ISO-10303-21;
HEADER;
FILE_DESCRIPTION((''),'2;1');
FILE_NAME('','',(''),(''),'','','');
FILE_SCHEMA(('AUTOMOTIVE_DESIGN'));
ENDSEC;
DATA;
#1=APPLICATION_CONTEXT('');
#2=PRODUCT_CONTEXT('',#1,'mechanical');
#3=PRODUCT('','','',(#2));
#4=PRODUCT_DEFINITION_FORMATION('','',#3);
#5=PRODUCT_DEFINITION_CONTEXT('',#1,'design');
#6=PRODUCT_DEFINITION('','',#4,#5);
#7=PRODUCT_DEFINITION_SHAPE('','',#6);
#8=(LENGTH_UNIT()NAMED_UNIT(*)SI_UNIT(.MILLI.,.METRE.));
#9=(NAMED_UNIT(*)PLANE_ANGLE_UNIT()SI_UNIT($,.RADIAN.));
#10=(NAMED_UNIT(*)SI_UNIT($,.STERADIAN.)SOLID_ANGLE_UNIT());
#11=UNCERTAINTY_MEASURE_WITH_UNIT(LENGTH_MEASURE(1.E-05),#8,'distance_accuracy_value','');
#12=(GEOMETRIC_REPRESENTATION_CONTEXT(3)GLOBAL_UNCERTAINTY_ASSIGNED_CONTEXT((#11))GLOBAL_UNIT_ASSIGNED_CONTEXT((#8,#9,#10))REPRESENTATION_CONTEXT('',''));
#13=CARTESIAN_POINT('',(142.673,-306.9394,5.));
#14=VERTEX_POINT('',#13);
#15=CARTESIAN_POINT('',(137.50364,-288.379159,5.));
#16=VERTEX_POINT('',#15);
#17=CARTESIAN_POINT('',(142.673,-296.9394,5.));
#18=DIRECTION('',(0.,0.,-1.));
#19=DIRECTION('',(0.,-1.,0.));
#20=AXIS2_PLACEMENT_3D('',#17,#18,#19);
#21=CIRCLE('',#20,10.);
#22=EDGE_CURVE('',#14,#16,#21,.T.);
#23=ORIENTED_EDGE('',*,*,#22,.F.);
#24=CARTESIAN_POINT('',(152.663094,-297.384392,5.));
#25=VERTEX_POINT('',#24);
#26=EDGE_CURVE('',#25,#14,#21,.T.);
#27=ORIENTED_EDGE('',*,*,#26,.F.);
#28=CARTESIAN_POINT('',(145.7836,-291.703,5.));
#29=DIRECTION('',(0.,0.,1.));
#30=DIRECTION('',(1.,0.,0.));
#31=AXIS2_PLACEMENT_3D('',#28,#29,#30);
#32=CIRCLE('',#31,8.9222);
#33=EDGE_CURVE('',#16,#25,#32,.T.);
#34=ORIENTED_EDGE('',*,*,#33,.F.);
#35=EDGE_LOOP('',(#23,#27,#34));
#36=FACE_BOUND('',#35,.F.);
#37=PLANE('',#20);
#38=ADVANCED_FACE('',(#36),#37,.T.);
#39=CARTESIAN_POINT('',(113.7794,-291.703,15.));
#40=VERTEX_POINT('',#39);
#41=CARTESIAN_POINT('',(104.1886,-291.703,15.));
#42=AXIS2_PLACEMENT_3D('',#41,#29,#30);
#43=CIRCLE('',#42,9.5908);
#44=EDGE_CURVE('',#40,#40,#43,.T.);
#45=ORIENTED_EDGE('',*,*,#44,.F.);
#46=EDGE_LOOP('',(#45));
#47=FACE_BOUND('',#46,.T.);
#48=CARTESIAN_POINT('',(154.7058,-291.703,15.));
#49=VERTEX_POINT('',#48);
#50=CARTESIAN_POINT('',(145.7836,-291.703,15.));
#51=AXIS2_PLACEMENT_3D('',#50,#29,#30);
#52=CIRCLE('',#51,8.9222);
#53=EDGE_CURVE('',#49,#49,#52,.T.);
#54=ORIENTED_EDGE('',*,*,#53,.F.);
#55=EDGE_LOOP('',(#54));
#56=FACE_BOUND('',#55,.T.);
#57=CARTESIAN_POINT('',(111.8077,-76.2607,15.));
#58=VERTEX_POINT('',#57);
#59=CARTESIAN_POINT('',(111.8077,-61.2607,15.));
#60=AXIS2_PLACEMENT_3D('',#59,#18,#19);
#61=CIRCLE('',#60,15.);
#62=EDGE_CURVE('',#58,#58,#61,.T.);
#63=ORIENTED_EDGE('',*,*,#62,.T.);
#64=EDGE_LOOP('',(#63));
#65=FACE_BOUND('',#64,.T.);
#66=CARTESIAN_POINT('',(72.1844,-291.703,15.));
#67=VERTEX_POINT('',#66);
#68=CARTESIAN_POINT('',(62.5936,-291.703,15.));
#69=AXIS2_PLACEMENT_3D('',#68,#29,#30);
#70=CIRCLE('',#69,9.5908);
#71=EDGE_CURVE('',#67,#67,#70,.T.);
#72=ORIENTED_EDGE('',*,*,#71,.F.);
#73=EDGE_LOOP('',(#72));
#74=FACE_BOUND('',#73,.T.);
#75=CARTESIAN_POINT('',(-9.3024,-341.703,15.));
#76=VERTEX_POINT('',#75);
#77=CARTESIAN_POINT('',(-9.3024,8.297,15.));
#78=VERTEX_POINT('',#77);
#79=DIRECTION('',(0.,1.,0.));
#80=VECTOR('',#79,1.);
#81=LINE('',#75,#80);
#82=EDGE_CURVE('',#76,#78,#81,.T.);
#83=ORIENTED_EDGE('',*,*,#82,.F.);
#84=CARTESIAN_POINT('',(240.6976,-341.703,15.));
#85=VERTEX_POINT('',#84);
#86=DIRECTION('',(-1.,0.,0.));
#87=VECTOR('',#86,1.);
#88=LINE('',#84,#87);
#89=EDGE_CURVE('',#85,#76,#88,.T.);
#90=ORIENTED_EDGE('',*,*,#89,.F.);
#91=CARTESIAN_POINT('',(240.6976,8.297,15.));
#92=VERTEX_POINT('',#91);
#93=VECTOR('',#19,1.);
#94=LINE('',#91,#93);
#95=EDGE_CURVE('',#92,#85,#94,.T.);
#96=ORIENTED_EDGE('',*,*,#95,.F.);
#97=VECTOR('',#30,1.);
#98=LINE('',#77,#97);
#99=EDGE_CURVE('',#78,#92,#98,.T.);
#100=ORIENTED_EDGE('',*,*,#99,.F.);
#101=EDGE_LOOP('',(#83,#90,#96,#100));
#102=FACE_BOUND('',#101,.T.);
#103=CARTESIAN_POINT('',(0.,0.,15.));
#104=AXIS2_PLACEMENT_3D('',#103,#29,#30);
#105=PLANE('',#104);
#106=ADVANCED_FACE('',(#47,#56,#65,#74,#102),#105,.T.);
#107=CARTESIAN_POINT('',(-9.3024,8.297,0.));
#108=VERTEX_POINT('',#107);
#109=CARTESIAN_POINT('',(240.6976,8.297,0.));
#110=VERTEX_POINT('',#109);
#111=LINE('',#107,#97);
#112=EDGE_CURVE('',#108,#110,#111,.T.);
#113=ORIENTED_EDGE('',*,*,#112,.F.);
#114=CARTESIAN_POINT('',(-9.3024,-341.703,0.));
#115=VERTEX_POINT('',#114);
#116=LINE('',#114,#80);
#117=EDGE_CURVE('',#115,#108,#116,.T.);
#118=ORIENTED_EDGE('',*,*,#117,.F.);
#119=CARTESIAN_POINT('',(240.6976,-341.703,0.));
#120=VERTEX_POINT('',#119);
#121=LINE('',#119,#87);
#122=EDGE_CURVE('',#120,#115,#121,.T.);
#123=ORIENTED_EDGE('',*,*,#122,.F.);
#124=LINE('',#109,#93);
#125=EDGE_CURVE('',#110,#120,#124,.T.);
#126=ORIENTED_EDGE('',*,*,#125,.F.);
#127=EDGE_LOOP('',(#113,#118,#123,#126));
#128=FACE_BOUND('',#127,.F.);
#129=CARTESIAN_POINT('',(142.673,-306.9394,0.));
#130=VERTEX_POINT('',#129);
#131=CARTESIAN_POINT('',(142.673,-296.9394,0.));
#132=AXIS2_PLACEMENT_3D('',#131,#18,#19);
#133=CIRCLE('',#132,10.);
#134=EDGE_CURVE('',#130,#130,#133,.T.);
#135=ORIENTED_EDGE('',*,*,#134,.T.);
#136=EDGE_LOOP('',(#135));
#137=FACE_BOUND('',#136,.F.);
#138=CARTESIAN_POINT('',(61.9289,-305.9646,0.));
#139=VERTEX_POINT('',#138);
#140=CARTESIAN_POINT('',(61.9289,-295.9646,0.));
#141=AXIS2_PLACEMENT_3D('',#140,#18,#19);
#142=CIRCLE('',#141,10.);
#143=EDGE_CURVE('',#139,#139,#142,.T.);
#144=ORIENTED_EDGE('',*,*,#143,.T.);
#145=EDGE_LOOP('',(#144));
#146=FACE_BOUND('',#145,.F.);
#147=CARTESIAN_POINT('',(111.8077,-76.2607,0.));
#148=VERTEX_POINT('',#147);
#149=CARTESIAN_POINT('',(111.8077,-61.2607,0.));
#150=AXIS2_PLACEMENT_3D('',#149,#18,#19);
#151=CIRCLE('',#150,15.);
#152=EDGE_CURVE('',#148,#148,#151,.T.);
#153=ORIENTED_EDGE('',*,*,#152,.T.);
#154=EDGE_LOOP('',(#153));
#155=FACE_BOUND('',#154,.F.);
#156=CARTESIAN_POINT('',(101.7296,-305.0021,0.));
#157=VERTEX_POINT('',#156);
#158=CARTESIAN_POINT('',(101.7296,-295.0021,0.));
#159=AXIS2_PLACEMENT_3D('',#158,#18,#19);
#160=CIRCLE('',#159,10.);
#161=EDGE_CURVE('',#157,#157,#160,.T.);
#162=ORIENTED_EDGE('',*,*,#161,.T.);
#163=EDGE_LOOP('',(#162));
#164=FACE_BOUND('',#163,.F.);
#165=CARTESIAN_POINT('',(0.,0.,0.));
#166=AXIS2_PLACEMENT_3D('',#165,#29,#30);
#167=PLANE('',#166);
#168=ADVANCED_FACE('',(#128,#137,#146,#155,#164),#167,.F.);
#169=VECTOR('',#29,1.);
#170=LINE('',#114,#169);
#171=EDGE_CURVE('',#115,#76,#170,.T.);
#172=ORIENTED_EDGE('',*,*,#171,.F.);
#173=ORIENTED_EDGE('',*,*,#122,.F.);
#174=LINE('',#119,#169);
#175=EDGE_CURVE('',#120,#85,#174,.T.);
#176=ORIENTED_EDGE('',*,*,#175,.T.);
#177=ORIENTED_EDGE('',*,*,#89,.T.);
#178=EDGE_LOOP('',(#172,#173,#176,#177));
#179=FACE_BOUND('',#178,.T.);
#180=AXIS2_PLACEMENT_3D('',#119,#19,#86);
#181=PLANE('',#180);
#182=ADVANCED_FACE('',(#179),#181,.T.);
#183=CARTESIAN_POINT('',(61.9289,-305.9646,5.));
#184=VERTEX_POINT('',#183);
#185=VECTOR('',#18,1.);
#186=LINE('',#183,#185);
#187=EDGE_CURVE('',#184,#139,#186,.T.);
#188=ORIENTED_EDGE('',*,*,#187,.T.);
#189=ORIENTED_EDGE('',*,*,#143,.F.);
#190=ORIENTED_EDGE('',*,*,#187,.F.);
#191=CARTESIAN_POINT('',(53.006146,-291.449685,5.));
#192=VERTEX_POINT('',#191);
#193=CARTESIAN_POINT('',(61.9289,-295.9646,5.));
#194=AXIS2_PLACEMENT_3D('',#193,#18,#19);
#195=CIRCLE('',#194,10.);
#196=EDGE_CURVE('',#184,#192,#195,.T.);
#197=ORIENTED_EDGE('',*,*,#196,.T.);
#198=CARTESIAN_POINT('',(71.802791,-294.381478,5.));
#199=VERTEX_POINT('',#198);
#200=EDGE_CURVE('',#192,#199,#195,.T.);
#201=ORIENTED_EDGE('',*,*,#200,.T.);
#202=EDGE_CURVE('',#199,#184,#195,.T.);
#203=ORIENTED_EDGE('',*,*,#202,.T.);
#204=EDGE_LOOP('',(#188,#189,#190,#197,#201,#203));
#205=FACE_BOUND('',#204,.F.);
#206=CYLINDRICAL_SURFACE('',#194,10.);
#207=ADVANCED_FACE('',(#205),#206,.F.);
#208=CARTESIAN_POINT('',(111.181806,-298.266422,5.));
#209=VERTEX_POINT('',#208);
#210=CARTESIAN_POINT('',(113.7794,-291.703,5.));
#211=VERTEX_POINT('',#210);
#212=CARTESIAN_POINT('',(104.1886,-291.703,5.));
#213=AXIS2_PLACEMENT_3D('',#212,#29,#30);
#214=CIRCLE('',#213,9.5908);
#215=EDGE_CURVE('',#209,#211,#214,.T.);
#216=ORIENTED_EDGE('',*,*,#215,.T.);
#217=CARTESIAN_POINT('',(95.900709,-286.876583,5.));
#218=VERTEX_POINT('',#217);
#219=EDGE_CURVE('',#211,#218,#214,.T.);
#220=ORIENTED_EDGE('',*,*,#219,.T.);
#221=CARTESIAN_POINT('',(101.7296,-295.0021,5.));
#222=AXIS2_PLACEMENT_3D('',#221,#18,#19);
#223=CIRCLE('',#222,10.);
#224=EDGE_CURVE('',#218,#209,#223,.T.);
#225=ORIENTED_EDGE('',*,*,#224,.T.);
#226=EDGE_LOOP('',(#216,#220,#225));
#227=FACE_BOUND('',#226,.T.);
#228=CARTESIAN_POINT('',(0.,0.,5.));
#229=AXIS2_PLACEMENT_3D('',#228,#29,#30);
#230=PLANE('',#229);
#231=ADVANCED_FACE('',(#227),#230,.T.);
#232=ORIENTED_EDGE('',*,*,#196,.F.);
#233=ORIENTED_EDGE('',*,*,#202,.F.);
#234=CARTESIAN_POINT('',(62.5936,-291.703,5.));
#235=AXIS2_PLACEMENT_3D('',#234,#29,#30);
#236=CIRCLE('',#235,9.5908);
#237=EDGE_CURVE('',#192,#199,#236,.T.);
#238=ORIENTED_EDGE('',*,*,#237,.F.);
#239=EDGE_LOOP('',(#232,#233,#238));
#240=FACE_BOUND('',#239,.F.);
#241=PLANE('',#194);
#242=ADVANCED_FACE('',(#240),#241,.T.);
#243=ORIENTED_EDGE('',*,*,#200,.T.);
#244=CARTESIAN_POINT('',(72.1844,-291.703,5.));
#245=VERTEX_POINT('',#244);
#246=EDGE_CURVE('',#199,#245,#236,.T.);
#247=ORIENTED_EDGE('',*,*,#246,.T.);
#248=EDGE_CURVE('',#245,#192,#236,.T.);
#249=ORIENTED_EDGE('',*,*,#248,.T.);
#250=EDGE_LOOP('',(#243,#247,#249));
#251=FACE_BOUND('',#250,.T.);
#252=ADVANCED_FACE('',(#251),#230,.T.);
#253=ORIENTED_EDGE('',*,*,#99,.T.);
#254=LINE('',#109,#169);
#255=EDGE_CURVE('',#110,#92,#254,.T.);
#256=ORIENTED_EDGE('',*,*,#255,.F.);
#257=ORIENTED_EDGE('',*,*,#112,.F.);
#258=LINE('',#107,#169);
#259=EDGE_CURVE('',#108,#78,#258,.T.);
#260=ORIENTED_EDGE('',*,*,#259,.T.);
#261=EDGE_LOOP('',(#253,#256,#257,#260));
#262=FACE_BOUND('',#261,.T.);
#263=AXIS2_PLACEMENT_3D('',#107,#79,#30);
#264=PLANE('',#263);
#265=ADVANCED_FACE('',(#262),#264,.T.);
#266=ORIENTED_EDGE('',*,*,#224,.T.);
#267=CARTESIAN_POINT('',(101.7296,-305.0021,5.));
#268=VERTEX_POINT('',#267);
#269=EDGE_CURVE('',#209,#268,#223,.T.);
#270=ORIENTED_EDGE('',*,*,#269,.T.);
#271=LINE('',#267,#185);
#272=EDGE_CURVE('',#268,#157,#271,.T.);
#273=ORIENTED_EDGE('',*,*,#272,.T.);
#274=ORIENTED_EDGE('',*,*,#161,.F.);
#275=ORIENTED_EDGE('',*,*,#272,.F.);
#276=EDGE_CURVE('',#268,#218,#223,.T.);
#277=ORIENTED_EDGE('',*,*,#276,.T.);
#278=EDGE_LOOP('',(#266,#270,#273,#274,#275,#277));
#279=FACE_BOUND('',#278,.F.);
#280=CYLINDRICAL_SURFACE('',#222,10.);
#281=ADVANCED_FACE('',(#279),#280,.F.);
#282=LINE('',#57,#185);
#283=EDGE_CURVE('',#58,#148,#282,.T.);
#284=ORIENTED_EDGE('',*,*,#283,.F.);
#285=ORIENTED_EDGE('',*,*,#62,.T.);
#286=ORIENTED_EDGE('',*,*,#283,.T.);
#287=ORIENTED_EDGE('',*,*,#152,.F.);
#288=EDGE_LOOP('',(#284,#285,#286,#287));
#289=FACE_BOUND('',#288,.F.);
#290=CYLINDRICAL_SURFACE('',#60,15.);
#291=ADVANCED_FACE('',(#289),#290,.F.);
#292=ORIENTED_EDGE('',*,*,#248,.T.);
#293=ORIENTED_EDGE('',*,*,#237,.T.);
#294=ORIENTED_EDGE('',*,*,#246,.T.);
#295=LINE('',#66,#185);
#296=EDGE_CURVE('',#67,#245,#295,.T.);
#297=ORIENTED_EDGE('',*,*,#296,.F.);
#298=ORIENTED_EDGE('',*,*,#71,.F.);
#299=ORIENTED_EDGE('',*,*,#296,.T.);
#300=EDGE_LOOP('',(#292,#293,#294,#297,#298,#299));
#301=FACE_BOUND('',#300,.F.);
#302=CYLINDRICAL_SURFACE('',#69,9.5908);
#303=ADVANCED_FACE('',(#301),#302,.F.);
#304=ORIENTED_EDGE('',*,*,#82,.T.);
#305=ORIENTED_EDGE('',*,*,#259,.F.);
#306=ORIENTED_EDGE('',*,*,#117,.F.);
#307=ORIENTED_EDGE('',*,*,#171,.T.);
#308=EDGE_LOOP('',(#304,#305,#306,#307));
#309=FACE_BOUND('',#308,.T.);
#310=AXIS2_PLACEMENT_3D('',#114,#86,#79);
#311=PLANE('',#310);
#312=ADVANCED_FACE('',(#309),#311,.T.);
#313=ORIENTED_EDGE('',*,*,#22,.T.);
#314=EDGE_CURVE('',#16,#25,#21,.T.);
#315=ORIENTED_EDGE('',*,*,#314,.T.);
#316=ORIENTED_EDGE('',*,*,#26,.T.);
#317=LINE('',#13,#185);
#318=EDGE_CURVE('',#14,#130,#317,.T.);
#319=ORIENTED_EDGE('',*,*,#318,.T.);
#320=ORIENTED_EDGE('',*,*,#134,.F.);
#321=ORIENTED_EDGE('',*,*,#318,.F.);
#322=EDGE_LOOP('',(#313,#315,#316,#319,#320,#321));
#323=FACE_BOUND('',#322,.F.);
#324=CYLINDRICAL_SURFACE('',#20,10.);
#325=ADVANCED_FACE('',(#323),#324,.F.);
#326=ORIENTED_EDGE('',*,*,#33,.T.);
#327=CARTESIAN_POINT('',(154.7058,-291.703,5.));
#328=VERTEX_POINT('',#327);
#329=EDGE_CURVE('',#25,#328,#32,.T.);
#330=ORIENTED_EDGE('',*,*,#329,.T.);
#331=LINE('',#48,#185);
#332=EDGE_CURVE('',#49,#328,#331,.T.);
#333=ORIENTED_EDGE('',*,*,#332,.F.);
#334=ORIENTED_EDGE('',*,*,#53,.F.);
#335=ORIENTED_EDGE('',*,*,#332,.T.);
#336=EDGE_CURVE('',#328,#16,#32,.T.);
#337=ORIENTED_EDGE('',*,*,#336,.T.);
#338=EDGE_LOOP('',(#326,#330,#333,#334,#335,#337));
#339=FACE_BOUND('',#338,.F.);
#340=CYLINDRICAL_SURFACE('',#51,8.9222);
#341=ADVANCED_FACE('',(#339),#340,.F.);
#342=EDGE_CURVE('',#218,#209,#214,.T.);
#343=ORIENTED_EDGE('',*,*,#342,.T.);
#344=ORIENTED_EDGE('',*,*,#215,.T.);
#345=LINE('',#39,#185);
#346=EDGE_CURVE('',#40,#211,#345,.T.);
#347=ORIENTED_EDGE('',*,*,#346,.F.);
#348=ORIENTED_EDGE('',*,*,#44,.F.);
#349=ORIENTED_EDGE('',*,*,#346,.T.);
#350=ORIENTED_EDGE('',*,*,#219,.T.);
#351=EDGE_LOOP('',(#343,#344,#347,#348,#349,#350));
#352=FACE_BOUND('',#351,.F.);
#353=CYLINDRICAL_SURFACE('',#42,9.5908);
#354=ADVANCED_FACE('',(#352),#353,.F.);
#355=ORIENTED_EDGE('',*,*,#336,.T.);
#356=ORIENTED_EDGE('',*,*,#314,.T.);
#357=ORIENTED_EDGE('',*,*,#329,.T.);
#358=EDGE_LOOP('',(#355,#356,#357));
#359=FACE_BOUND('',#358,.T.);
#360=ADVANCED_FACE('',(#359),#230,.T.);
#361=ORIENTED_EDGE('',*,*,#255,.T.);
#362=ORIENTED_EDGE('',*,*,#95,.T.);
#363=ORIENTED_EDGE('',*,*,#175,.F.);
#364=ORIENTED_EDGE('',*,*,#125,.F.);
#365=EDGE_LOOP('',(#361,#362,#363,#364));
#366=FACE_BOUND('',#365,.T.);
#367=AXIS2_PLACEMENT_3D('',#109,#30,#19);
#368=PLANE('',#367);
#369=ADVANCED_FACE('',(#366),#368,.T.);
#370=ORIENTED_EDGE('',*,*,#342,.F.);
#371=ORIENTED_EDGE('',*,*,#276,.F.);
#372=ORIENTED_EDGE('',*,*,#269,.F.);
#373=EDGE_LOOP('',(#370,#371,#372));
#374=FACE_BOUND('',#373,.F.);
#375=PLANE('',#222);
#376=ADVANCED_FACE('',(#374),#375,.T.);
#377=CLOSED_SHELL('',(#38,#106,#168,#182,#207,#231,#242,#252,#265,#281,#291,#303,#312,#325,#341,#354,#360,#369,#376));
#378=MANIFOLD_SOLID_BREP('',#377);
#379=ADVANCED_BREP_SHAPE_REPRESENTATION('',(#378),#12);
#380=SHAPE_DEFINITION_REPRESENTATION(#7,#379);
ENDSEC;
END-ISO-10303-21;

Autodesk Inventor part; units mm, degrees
ref_plane "YZ Plane" through (0, 0, 0) normal (1, 0, 0) x (0, 1, 0)
ref_plane "XZ Plane" through (0, 0, 0) normal (0, 1, 0) x (-1, 0, 0)
ref_plane "XY Plane" through (0, 0, 0) normal (0, 0, 1) x (1, 0, 0)
sketch "Sketch1" plane through (0, 0, 0) normal (0, 0, 1) x (1, 0, 0)
  line L0 (-9.3024, 8.297) -> (240.6976, 8.297)
  line L1 (240.6976, 8.297) -> (240.6976, -341.703)
  line L2 (240.6976, -341.703) -> (-9.3024, -341.703)
  line L3 (-9.3024, -341.703) -> (-9.3024, 8.297)
  point P0 (0, 0)
  dimension "d0" = 250
  dimension "d1" = 350
extrude "Extrusion1" add sketch "Sketch1" along normal blind 15
sketch "Sketch2" plane through (0, 0, 15) normal (0, 0, 1) x (1, 0, 0)
  circle A0 centre (104.1886, -291.703) radius 9.5908
  circle A1 centre (62.5936, -291.703) radius 9.5908
  line L0 (240.6976, 8.297) -> (-9.3024, 8.297) projected
  line L1 (-9.3024, -341.703) -> (240.6976, -341.703) projected
  line L2 (240.6976, -341.703) -> (240.6976, 8.297) projected
  circle A2 centre (145.7836, -291.703) radius 8.9222
  line L3 (-9.3024, 8.297) -> (-9.3024, -341.703) projected
  point P0 (0, 0)
  point P1 (115.6976, -341.703)
extrude "Extrusion2" cut sketch "Sketch2" against normal blind 10 contours A0 | A1 | A2
sketch "Sketch3" plane through (62.5936, -291.703, 5) normal (0, 0, 1) x (1, 0, 0)
  point P0 (-62.5936, 291.703)
  point P1 (-0.6647, -4.2616)
hole "Hole1" at (61.9289, -295.9646, 5) direction (0, 0, -1) diameter 20 end through all
sketch "Sketch4" plane through (104.1886, -291.703, 5) normal (0, 0, 1) x (1, 0, 0)
  point P0 (-104.1886, 291.703)
  point P1 (-2.459, -3.2991)
hole "Hole2" at (101.7296, -295.0021, 5) direction (0, 0, -1) diameter 20 end through all
sketch "Sketch5" plane through (145.7836, -291.703, 5) normal (0, 0, 1) x (1, 0, 0)
  point P0 (-145.7836, 291.703)
  point P1 (-3.1106, -5.2364)
hole "Hole3" at (142.673, -296.9394, 5) direction (0, 0, -1) diameter 20 end through all
sketch "Sketch6" plane through (0, 0, 15) normal (0, 0, 1) x (1, 0, 0)
  circle A0 centre (111.8077, -61.2607) radius 10
  point P0 (0, 0)
  dimension "d41" = 20
hole "Hole4" at (111.8077, -61.2607, 15) direction (0, 0, -1) diameter 20 end through all
sketch "Sketch7" plane through (0, 0, 15) normal (0, 0, 1) x (1, 0, 0)
  circle A0 centre (111.8077, -61.2607) radius 10 projected
  circle A1 centre (111.8077, -61.2607) radius 15
  point P0 (0, 0)
  dimension "d49" = 30
hole "Hole5" at (111.8077, -61.2607, 15) direction (0, 0, -1) diameter 30 end through all
properties part number "main base new edited new" material "PVC, Unplasticized"
